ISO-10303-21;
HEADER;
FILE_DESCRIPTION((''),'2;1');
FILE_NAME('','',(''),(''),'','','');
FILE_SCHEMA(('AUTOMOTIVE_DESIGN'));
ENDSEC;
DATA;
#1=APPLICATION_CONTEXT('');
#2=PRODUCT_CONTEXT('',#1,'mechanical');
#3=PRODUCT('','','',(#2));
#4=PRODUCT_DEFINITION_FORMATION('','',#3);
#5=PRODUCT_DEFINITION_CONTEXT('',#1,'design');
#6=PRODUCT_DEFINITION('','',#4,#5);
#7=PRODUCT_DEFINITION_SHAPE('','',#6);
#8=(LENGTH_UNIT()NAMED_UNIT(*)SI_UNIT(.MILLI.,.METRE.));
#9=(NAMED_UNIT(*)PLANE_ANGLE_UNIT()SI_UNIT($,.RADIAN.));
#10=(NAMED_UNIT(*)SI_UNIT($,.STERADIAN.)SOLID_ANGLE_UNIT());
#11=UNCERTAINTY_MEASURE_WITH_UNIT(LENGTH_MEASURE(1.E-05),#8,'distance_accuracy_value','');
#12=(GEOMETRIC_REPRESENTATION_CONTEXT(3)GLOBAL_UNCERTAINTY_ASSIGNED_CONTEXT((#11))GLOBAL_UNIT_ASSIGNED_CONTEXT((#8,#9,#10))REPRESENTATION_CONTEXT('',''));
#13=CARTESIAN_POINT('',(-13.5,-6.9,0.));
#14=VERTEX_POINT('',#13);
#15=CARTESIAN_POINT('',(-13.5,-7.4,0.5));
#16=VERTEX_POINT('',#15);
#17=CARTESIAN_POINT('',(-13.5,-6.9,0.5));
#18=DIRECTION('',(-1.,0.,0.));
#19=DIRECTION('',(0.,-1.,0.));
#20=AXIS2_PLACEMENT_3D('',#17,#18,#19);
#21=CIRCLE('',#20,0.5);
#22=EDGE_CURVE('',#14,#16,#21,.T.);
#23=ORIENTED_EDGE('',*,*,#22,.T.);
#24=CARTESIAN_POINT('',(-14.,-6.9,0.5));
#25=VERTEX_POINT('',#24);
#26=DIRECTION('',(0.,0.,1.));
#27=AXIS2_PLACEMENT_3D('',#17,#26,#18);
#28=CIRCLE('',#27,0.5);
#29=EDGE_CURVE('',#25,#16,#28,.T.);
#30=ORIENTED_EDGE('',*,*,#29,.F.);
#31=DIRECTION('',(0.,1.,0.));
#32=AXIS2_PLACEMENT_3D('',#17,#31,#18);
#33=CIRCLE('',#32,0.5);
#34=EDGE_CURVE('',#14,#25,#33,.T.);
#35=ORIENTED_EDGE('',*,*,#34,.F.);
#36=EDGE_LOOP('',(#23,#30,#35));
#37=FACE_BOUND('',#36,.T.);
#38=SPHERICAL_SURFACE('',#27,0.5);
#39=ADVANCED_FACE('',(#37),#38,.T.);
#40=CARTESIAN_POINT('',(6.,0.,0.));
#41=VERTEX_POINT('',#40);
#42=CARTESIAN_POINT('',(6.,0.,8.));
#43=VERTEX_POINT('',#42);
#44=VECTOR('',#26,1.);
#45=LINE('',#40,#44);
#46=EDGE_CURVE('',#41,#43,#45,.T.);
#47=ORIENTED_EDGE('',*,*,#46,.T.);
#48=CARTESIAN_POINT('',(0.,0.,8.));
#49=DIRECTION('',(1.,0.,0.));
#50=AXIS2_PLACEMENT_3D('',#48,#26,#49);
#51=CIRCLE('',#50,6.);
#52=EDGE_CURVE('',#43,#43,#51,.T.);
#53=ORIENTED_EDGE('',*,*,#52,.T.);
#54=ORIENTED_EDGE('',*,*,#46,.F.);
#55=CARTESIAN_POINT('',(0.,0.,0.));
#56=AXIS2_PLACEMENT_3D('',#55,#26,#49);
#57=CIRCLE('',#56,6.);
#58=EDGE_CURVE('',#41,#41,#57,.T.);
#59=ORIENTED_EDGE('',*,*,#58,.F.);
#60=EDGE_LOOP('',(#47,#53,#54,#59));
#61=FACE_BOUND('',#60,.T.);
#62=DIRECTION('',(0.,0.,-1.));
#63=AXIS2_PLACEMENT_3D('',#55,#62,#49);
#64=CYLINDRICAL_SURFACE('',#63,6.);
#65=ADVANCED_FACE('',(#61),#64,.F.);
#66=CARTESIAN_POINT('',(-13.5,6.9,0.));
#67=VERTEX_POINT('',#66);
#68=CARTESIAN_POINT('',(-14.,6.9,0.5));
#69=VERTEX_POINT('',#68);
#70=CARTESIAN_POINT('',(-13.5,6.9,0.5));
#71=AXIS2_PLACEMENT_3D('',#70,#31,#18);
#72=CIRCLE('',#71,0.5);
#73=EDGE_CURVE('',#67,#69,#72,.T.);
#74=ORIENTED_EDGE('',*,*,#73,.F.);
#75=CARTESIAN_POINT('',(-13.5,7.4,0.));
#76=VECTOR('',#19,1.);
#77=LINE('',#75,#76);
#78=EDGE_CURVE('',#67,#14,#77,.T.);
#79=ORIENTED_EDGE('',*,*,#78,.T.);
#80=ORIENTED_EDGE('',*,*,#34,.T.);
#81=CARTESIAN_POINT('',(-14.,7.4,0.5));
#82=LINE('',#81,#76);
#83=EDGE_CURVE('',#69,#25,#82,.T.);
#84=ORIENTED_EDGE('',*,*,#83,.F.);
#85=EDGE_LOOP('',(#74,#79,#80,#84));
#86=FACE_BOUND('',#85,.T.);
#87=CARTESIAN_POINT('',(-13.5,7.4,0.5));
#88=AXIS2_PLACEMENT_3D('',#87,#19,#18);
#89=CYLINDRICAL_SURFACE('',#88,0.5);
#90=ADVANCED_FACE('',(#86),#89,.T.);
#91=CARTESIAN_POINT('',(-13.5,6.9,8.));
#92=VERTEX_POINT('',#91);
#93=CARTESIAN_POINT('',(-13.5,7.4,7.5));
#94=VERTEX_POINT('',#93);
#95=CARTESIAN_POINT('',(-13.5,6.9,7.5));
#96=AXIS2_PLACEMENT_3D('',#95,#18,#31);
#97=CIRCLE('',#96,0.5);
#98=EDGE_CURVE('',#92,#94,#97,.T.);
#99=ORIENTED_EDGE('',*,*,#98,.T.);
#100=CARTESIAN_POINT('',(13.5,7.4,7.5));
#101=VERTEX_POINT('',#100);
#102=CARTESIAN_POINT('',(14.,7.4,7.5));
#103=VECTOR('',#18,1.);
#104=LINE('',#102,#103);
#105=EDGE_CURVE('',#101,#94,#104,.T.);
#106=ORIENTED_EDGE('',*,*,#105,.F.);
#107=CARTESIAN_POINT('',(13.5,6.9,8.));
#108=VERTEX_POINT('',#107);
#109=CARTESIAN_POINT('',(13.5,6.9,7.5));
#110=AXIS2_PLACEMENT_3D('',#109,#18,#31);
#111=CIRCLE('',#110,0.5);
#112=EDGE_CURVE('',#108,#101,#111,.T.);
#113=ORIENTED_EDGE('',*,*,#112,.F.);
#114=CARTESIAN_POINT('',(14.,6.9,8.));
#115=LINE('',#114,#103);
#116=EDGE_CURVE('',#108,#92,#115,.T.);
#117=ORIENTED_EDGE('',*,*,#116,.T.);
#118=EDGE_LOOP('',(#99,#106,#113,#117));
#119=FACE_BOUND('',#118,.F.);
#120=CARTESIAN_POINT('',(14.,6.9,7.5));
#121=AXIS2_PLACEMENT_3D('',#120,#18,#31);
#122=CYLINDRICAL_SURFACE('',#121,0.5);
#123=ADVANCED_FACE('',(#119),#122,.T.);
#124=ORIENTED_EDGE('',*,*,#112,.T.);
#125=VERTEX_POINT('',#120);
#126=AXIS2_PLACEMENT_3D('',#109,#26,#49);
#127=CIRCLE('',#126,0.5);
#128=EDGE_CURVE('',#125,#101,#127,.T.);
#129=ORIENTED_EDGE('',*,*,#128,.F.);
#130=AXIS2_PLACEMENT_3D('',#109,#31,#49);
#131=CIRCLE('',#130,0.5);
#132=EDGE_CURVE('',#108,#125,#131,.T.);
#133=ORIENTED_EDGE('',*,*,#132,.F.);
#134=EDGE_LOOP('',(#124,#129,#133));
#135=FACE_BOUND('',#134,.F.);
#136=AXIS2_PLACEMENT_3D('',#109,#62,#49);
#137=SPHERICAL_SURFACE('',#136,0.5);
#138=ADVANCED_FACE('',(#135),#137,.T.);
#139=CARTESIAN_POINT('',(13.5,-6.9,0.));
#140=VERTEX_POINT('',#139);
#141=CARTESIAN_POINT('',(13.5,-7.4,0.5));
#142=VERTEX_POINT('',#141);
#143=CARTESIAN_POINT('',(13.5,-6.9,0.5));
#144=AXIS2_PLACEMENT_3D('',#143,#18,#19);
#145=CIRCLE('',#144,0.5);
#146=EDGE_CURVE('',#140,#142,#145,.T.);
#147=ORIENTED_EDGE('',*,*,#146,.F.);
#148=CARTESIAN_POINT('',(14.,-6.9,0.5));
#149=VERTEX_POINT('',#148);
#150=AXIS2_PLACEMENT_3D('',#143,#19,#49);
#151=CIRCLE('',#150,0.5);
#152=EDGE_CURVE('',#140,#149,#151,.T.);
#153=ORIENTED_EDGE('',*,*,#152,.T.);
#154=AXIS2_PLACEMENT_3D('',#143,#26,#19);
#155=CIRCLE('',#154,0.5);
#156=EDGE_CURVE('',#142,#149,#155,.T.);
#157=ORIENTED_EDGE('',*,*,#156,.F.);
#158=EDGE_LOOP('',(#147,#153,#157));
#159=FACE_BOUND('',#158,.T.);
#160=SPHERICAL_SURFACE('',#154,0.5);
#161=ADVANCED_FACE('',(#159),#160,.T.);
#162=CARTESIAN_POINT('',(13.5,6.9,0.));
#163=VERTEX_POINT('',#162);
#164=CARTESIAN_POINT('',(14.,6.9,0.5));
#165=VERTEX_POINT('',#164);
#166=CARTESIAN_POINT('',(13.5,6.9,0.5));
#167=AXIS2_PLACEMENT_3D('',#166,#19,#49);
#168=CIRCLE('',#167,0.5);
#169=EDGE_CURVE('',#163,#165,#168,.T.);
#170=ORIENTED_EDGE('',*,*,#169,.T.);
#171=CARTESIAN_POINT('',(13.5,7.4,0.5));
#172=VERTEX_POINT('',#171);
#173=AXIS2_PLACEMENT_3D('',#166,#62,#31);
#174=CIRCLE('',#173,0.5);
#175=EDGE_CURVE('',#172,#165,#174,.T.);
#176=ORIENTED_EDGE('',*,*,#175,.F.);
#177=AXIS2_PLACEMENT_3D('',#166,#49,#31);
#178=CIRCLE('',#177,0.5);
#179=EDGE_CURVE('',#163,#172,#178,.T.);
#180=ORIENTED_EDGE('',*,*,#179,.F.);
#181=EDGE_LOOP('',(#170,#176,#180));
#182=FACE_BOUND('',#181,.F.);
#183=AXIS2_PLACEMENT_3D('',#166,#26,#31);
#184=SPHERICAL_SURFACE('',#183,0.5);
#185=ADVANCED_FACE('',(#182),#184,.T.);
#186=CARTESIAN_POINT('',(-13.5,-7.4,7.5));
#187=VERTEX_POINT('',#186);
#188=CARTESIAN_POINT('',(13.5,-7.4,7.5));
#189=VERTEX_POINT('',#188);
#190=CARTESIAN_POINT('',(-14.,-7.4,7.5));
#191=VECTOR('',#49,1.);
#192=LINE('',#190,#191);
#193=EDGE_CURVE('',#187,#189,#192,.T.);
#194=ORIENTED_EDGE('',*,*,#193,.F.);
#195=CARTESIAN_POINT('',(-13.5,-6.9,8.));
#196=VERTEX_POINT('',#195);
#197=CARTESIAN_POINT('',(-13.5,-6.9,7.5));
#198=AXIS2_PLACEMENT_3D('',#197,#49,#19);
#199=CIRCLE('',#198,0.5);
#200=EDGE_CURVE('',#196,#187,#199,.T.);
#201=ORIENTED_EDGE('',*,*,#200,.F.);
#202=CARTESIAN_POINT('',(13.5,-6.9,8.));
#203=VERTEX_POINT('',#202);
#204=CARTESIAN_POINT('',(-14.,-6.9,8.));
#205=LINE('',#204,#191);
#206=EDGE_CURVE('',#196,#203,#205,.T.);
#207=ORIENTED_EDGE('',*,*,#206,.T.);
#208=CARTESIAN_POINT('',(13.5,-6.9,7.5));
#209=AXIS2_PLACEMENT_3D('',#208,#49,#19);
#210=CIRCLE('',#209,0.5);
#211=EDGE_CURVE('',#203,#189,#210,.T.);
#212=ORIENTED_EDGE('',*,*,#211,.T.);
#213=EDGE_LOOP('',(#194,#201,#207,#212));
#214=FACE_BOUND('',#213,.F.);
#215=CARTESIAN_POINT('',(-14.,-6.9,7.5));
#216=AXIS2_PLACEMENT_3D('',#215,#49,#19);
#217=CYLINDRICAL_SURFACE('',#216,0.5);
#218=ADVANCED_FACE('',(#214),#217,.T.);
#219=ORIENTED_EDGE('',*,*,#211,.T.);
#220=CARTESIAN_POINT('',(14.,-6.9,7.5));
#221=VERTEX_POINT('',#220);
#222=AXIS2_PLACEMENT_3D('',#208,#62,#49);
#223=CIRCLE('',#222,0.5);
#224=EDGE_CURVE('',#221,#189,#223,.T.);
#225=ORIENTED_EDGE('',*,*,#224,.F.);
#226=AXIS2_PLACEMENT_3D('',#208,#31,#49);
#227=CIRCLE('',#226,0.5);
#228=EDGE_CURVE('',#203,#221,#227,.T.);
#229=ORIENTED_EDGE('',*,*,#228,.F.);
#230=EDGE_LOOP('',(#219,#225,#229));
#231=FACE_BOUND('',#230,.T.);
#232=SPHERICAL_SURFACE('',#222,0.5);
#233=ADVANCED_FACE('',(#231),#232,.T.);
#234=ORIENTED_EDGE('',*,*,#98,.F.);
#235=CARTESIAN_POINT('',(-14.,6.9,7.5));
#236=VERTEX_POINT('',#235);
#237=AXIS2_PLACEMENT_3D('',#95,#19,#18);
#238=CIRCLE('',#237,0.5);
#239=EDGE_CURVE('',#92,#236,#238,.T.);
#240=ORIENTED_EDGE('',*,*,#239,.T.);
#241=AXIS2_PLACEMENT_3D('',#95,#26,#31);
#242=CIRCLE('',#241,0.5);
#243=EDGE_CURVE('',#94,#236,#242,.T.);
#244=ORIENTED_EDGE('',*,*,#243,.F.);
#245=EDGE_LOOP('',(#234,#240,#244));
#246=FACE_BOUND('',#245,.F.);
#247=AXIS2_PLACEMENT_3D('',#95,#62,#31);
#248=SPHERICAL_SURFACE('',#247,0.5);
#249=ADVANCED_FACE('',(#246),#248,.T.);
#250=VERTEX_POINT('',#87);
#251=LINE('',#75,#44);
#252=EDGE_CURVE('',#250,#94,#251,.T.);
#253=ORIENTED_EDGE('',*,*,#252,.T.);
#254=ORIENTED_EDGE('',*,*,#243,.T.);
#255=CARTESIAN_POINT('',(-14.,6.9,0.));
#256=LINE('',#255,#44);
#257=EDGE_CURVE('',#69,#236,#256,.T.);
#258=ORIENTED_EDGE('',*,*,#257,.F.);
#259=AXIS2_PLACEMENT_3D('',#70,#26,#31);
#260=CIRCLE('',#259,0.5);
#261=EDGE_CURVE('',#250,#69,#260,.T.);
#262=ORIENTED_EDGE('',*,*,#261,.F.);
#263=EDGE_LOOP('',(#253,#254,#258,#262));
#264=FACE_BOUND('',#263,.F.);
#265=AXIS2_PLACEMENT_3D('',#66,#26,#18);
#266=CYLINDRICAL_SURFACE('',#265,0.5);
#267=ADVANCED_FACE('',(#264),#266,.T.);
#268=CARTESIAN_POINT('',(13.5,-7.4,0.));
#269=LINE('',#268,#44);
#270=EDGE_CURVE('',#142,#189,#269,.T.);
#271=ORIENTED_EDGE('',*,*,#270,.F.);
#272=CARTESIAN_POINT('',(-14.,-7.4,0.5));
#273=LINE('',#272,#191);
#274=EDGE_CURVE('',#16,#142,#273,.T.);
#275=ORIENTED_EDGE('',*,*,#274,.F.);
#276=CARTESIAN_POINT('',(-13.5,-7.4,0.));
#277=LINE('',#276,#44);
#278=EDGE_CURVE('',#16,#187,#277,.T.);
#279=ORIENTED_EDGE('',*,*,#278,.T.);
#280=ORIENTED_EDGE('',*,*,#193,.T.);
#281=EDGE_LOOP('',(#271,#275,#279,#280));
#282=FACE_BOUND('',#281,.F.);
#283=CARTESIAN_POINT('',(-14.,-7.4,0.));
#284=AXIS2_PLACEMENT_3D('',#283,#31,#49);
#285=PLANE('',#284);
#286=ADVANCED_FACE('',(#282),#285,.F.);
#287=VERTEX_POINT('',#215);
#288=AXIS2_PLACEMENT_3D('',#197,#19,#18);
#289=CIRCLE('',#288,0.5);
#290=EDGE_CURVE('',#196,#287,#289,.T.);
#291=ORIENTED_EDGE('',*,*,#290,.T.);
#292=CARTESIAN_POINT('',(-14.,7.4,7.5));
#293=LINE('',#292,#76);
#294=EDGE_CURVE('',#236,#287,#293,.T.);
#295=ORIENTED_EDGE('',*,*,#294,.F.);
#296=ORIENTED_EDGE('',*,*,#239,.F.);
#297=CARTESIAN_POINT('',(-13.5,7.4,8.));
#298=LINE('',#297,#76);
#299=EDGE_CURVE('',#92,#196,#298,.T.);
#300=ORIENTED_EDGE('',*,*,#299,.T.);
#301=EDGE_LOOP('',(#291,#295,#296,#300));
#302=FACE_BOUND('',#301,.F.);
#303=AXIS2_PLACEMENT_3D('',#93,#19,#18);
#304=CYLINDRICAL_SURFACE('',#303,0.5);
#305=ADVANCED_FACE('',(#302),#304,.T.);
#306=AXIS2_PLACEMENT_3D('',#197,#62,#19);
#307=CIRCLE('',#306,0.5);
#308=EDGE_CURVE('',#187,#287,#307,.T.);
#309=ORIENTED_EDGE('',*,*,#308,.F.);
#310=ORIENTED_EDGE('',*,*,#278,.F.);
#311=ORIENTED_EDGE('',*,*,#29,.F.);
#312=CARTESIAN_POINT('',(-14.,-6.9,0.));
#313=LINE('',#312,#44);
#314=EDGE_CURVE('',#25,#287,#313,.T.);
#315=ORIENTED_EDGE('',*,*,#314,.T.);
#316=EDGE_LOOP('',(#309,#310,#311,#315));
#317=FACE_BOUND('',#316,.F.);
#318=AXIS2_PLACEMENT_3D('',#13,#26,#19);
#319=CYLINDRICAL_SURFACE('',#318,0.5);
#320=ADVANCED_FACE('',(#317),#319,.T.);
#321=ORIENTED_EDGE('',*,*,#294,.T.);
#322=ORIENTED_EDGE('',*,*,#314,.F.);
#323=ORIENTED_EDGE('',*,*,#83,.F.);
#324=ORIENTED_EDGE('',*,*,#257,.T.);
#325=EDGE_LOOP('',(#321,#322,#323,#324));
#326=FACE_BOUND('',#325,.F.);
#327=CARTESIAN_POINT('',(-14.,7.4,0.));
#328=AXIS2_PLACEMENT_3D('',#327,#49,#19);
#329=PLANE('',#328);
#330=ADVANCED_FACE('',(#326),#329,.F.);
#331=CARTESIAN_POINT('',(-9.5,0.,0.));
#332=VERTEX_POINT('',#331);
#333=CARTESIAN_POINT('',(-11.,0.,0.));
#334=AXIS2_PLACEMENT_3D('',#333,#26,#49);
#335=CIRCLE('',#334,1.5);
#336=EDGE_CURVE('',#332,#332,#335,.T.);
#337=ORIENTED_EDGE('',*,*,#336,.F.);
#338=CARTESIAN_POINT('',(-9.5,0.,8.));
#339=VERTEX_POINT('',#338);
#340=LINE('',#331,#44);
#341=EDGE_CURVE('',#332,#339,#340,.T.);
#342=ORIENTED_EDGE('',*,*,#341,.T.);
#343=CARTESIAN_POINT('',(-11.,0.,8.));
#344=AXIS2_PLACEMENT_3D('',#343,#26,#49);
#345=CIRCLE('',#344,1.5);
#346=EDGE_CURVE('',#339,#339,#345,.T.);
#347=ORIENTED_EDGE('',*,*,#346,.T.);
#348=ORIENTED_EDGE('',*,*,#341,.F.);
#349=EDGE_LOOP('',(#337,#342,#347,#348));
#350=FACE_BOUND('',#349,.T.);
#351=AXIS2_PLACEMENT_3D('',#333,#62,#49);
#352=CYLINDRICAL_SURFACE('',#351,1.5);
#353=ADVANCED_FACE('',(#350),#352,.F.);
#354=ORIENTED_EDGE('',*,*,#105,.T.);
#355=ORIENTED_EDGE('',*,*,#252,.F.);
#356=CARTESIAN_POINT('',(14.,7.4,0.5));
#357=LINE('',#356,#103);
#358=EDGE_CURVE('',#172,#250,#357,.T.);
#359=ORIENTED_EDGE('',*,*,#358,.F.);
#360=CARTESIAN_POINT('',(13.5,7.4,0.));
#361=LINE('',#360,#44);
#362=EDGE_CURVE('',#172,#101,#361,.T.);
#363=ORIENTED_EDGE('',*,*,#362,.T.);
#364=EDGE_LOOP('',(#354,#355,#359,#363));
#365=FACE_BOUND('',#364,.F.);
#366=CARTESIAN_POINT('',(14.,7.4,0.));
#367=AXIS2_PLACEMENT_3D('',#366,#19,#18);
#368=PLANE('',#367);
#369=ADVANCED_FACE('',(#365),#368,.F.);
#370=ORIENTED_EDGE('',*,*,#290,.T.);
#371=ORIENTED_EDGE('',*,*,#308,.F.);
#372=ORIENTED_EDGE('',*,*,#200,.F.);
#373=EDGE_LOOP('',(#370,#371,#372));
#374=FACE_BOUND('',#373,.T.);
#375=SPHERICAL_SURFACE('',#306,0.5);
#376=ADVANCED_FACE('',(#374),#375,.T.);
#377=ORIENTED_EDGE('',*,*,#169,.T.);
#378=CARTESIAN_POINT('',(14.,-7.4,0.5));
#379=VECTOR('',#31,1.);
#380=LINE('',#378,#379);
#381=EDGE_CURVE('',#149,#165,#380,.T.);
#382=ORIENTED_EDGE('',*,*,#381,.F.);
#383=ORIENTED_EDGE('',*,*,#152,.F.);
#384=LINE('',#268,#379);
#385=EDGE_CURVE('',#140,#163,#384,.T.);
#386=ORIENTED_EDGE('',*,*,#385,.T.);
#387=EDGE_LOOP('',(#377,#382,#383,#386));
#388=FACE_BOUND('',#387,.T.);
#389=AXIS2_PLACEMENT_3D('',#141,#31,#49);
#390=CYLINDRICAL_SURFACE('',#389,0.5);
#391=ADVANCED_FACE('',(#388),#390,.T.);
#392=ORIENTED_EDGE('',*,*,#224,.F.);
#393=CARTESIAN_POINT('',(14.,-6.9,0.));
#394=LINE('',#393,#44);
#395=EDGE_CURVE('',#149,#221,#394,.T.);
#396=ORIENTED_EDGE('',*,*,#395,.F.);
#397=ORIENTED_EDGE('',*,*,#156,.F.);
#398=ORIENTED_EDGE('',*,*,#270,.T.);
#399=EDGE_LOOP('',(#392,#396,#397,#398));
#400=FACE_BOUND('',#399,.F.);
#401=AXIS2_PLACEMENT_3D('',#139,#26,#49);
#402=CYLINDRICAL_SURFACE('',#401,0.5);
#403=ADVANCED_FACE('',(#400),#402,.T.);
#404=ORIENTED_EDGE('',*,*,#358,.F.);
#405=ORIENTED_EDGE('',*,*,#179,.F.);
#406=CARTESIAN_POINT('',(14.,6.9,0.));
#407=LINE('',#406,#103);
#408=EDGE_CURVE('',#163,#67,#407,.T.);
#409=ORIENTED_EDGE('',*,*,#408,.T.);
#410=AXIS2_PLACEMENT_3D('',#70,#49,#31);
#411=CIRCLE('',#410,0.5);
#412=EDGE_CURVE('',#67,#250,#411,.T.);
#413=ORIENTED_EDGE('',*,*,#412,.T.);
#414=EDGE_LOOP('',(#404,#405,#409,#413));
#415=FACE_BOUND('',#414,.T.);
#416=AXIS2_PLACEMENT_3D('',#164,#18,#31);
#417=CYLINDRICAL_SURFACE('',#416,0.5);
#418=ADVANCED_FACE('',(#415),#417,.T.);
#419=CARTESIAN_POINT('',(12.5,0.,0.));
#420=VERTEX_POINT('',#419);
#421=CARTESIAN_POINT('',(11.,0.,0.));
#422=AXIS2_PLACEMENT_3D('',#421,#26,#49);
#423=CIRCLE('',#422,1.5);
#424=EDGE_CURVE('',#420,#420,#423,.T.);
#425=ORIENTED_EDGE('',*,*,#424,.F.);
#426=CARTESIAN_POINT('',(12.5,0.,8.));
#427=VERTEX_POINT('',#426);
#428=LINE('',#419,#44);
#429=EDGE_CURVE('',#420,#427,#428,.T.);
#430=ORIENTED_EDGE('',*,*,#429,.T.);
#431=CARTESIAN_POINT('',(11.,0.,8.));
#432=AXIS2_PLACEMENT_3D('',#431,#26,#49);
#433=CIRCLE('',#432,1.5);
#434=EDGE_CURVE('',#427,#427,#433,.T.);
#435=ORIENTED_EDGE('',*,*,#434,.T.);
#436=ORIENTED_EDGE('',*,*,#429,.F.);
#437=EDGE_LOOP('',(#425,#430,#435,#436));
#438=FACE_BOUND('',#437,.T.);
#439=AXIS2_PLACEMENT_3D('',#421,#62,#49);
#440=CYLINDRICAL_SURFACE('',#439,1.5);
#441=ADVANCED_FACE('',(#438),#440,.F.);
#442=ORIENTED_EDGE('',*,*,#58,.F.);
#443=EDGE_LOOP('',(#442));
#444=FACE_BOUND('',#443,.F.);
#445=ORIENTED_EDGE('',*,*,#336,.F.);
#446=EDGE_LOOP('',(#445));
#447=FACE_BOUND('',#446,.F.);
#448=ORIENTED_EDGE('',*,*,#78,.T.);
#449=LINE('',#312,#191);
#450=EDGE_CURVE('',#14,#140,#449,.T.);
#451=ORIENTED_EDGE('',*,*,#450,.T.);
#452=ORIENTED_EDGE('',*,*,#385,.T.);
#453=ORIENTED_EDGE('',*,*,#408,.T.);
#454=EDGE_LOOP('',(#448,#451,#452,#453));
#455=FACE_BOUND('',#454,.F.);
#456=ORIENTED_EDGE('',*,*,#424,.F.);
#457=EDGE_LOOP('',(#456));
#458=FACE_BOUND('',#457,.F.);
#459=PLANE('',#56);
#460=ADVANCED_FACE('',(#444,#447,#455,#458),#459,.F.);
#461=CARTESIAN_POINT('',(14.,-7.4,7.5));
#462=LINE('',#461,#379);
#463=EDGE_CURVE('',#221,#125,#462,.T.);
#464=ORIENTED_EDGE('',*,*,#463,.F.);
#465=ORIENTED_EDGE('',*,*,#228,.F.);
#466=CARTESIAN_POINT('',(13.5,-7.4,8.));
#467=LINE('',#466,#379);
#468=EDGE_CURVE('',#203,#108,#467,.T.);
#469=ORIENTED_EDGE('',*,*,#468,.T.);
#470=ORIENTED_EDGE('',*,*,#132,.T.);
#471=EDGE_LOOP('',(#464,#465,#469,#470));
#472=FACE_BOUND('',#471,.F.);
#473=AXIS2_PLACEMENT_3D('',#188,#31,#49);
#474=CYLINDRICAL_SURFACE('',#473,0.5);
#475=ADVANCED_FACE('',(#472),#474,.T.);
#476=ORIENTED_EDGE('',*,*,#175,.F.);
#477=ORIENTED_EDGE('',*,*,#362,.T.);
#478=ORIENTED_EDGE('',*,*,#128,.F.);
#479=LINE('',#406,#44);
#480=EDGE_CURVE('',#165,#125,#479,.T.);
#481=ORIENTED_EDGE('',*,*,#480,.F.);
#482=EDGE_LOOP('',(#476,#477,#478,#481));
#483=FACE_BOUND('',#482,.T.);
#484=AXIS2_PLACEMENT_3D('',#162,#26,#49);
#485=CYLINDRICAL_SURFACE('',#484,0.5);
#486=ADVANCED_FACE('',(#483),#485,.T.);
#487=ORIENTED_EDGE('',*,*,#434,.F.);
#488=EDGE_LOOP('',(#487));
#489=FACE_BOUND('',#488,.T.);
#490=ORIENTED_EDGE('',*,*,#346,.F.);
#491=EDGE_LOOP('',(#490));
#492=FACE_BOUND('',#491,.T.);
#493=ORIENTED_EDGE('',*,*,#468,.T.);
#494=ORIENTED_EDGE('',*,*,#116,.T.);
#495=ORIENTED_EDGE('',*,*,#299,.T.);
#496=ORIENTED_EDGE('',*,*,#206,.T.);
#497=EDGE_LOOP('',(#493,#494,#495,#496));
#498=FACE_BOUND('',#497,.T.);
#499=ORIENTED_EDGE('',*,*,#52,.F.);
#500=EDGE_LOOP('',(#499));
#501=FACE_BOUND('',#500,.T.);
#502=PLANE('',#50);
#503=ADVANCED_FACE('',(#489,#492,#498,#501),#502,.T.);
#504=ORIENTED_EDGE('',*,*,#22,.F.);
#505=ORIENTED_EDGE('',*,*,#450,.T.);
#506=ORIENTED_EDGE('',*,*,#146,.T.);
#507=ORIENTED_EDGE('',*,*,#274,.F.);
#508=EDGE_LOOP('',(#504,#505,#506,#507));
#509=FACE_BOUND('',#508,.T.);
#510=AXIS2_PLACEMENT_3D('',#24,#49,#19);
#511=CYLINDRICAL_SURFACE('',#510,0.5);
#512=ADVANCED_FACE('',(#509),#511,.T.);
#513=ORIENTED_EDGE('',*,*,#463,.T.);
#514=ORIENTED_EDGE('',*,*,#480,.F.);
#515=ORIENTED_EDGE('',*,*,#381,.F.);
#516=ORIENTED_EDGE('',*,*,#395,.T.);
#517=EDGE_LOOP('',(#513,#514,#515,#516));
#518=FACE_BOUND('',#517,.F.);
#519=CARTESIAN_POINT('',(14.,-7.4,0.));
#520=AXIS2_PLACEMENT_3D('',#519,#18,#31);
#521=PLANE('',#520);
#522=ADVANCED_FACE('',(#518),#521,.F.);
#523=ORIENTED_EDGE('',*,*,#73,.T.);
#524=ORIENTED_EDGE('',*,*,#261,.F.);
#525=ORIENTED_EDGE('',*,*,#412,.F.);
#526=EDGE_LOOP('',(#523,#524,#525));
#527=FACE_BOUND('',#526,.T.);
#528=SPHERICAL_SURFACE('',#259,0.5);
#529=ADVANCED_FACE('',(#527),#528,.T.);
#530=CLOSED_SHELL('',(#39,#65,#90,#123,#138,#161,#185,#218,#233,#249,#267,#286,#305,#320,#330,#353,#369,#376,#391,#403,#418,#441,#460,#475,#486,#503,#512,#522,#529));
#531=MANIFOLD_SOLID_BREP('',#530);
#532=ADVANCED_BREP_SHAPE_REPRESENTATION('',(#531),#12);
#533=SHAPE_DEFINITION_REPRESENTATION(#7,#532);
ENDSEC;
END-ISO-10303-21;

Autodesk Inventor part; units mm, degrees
ref_plane "YZ Plane" through (0, 0, 0) normal (1, 0, 0) x (0, 1, 0)
ref_plane "XZ Plane" through (0, 0, 0) normal (0, 1, 0) x (-1, 0, 0)
ref_plane "XY Plane" through (0, 0, 0) normal (0, 0, 1) x (1, 0, 0)
sketch "Эскиз1" plane through (0, 0, 0) normal (0, 0, 1) x (1, 0, 0)
  circle A0 centre (0, 0) radius 6
  circle A1 centre (-11, 0) radius 1.5
  circle A2 centre (11, 0) radius 1.5
  line L0 (14, 7.4) -> (-14, 7.4)
  line L1 (-14, 7.4) -> (-14, -7.4)
  line L2 (-14, -7.4) -> (14, -7.4)
  line L3 (14, -7.4) -> (14, 7.4)
  line L4 (14, 7.4) -> (-14, -7.4) construction
  line L5 (-14, 7.4) -> (14, -7.4) construction
  dimension "d0" = 12
  dimension "d1" = 3
  dimension "d2" = 3
  dimension "d3" = 11
  dimension "d4" = 11
  dimension "d5" = 28
  dimension "d6" = 14.8
extrude "Выдавливание1" add sketch "Эскиз1" along normal blind 8
fillet "Сопряжение1" radius 0.5 12 edges at (-14, 7.4, 4) (14, -7.4, 4) (-14, -7.4, 4) (14, 7.4, 4) (0, 7.4, 0) (-14, 0, 0) (0, -7.4, 0) (14, 0, 0) (14, 0, 8) (0, 7.4, 8) (0, -7.4, 8) (-14, 0, 8)
properties part number "держатель валов"
